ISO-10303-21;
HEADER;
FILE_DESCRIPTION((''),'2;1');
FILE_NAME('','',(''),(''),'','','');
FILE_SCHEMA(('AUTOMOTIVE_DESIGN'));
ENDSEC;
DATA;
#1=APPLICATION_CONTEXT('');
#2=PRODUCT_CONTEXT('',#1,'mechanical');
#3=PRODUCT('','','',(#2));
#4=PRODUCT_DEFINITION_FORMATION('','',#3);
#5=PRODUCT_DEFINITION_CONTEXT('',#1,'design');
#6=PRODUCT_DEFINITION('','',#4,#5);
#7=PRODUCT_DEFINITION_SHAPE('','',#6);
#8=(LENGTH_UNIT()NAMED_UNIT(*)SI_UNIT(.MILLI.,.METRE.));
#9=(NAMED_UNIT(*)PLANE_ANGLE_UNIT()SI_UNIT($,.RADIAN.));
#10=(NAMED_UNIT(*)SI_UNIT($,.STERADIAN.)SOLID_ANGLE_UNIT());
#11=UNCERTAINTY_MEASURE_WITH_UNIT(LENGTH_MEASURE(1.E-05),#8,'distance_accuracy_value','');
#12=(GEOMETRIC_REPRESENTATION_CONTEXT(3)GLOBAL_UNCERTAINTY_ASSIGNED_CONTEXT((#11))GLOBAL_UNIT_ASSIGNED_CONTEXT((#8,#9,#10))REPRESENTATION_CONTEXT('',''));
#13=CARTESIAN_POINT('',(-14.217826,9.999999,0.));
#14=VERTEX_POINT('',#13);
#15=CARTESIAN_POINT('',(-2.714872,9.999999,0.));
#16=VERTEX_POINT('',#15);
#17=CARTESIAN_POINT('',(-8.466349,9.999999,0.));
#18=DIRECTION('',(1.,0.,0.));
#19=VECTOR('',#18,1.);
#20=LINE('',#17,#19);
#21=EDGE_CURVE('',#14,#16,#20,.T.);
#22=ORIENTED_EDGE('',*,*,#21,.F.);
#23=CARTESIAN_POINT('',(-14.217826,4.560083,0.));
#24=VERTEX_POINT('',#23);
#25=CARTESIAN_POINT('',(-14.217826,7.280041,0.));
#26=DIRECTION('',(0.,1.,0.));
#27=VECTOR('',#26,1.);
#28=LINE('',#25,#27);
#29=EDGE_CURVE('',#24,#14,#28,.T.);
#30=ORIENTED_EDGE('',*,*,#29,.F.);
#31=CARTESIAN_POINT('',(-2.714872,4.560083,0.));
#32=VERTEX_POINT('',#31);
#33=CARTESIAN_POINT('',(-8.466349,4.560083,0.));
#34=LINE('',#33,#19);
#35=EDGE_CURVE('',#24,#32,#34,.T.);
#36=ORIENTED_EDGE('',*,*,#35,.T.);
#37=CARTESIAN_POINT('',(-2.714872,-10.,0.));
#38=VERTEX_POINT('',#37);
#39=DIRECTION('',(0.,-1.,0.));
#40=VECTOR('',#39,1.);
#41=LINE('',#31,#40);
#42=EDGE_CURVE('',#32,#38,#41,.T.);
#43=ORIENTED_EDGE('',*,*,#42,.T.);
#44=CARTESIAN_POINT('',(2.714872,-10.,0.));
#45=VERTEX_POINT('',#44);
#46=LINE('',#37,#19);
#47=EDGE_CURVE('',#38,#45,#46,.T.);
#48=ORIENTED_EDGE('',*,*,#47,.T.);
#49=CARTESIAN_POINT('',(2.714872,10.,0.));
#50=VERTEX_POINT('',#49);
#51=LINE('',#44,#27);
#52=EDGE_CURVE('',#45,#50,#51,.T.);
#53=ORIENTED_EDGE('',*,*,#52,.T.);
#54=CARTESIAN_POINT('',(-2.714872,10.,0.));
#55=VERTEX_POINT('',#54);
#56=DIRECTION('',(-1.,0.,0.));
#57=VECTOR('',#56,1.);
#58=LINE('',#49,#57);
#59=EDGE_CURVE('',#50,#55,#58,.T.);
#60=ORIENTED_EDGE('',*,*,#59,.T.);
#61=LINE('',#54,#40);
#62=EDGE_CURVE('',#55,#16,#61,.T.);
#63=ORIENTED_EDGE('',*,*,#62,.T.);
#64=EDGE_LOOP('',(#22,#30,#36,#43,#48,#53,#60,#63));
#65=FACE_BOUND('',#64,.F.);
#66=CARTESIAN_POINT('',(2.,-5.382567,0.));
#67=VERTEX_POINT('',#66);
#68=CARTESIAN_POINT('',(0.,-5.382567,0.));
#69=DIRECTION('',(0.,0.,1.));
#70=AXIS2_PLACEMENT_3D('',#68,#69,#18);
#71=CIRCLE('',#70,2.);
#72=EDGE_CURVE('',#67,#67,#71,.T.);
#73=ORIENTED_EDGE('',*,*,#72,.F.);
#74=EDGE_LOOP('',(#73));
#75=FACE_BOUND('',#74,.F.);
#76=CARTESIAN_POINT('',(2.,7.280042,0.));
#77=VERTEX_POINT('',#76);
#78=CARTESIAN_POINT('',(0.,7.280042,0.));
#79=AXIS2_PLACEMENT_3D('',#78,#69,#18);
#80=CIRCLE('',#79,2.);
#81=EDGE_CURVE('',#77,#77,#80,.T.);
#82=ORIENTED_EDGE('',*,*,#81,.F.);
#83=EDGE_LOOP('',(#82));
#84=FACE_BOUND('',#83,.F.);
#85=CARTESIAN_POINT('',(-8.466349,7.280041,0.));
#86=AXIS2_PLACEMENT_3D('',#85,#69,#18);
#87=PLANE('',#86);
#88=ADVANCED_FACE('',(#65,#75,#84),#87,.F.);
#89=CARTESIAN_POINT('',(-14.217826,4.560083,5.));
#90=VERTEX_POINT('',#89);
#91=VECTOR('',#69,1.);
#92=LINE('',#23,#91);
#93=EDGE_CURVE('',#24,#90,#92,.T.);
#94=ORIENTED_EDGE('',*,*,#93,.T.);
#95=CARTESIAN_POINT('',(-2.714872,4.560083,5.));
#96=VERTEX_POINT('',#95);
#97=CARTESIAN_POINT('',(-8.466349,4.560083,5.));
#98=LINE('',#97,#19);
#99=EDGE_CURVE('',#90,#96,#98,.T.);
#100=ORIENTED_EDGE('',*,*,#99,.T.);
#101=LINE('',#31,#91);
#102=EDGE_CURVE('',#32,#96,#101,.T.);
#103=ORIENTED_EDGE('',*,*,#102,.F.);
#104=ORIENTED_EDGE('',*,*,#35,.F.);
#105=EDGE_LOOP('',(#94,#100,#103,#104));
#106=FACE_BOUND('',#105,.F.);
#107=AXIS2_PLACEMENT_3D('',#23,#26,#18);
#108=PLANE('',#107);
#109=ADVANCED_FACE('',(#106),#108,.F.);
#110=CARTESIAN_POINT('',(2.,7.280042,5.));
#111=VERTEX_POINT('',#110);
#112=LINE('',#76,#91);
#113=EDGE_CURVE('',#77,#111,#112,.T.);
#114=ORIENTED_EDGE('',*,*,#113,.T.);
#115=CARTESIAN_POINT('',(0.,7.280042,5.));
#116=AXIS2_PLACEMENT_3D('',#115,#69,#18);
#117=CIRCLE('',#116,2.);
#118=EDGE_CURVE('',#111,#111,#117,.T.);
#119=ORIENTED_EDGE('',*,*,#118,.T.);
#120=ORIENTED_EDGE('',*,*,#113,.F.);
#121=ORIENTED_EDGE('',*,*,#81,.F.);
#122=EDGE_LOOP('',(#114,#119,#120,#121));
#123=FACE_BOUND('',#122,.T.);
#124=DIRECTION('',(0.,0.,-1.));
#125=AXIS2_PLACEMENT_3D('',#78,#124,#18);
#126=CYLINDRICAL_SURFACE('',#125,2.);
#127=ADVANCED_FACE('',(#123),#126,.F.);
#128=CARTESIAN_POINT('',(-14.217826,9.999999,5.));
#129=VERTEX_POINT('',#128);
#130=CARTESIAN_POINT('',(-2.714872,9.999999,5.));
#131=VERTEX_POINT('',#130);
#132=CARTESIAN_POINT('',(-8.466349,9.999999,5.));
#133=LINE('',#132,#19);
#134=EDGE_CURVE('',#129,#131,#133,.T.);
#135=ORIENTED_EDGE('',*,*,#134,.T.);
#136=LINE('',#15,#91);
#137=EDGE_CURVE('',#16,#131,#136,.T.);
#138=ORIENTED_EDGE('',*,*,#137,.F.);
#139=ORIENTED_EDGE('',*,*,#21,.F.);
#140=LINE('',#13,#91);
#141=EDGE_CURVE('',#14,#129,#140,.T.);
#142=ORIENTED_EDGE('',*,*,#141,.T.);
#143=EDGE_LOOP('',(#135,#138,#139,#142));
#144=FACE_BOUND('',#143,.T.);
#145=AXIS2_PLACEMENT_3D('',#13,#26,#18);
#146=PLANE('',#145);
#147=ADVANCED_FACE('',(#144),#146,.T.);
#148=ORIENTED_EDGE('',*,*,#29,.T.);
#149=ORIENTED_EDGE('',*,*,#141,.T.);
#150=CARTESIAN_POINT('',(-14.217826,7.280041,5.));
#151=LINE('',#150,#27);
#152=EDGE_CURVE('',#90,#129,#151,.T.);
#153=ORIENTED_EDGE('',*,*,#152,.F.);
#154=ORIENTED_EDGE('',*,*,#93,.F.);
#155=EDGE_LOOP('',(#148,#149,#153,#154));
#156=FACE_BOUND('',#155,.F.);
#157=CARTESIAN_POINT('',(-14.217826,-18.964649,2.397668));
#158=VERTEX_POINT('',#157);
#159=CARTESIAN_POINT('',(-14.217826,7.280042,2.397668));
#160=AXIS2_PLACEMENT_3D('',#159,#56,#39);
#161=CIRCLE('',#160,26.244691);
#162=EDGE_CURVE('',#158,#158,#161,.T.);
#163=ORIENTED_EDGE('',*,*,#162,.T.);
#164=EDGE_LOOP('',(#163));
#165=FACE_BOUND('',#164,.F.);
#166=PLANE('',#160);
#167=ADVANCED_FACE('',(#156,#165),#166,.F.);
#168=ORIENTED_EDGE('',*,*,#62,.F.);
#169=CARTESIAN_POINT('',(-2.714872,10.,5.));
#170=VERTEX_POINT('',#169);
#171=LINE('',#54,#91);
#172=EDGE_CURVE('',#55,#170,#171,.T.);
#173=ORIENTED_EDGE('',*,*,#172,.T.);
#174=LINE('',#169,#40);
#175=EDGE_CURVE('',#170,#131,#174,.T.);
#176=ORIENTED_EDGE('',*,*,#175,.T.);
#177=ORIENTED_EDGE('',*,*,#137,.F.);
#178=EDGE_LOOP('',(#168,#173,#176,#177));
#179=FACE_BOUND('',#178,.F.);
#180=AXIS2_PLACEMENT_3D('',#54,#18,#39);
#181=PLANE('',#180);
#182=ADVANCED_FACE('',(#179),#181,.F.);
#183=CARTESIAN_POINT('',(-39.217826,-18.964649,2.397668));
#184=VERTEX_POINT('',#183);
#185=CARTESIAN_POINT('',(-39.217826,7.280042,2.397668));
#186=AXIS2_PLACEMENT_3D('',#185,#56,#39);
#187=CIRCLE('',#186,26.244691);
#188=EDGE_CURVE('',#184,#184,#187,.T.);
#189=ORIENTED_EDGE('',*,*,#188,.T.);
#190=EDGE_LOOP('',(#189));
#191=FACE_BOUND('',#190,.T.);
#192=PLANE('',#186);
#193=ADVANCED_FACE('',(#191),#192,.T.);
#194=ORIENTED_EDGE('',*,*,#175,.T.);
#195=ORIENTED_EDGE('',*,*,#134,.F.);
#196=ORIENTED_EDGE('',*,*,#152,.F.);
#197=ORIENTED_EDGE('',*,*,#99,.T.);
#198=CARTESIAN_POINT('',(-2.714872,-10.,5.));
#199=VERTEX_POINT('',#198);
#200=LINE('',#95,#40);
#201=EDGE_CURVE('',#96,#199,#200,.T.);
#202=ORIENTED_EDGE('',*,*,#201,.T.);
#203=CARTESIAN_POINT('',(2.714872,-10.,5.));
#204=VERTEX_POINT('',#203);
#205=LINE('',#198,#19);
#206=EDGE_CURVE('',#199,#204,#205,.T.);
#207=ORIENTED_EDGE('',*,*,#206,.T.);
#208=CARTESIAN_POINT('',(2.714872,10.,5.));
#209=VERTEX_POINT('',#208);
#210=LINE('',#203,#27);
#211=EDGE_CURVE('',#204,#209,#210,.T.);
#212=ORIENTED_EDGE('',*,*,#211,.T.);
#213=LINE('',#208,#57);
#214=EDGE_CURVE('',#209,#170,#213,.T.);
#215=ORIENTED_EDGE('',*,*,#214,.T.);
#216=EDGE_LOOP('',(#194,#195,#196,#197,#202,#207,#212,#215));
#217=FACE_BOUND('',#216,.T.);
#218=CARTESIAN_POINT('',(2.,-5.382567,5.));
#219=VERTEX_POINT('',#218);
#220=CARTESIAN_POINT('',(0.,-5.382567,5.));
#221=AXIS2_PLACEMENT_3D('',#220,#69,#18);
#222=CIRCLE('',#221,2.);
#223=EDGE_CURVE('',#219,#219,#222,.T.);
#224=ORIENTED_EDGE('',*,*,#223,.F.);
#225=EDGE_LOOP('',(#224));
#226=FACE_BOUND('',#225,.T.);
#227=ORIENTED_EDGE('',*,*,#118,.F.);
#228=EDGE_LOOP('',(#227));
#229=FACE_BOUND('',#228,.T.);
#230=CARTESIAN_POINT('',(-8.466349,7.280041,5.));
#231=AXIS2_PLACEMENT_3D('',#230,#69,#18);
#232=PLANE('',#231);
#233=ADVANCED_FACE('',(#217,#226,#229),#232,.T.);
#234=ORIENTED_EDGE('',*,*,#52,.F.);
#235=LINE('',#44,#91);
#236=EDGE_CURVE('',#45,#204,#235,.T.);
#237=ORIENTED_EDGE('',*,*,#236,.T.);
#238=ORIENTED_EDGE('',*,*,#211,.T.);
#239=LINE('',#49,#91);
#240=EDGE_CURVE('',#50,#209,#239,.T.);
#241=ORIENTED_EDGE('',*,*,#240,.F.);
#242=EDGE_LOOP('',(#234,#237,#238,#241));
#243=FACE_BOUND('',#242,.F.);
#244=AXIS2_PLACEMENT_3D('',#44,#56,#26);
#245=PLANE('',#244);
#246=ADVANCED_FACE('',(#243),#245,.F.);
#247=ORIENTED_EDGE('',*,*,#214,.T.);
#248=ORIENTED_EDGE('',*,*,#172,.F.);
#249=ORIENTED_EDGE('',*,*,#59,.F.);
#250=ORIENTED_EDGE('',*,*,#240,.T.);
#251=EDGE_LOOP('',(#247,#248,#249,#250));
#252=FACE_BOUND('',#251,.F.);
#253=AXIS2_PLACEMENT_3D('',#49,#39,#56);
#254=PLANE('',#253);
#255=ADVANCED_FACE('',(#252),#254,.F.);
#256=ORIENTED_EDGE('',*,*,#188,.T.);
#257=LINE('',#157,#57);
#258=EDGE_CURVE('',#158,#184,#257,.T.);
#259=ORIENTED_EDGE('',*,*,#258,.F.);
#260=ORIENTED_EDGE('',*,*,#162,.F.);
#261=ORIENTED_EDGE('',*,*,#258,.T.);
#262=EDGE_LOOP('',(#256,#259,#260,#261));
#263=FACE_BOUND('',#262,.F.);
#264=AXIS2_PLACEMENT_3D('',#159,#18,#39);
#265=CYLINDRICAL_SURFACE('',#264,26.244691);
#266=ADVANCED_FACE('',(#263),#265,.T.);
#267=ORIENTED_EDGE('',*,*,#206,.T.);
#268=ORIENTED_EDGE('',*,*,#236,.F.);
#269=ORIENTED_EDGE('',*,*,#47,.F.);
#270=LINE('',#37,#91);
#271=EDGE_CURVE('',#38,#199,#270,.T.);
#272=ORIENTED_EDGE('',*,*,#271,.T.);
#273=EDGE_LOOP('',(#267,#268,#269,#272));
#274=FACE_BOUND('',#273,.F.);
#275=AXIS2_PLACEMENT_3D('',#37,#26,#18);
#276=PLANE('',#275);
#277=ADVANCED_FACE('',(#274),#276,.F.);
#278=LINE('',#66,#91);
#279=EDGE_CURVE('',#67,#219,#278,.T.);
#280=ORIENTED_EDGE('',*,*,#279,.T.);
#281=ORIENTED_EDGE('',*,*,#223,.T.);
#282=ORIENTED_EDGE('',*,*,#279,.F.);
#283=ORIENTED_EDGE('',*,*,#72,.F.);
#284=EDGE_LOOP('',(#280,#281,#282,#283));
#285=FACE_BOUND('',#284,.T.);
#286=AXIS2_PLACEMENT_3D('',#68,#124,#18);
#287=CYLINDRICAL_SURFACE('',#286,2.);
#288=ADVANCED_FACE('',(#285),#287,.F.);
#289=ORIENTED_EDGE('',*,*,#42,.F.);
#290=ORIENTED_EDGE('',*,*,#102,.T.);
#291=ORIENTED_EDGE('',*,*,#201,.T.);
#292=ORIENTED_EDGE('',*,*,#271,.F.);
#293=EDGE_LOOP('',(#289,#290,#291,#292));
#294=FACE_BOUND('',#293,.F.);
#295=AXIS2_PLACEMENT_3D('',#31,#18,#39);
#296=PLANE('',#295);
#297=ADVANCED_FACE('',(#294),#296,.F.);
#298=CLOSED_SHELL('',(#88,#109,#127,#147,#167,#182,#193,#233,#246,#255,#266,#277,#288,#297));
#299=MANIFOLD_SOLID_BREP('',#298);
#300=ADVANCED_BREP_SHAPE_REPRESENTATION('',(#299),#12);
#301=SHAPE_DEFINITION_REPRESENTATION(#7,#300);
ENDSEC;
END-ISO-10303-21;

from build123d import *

# Parameters (mm, degrees)
F0_W     = 11.502954
F0_H     = 5.439917
F0_R     = 2
F1_DEPTH = 5
F2_R     = 26.244691
F2_W     = 5.439917
F2_H     = 5
F3_DEPTH = 25


with BuildPart() as f1:
    # F0 (on Top) → F1 (new body)
    with BuildSketch(Plane.XY):
        with Locations((-8.466349, 7.280041)):
            Rectangle(F0_W, F0_H)
        Polygon((2.714872, -10), (2.714872, 10), (-2.714872, 10), (-2.714872, 4.560083), (-2.714872, -10), align=None)
        with Locations((0, -5.382567)):
            Circle(F0_R, mode=Mode.SUBTRACT)
        with Locations((0, 7.280042)):
            Circle(F0_R, mode=Mode.SUBTRACT)
    extrude(amount=F1_DEPTH)

    # F2 (on face) → F3 (join)
    with BuildSketch(Plane(origin=(-14.217826, 0, 0), x_dir=(0, -1, 0), z_dir=(-1, 0, 0))):
        with Locations((-7.280042, 2.397668)):
            Circle(F2_R)
        with Locations((-7.280041, 2.5)):
            Rectangle(F2_W, F2_H, mode=Mode.SUBTRACT)
        with Locations((-7.280041, 2.5)):
            Rectangle(F2_W, F2_H)
    extrude(amount=F3_DEPTH)


solid = f1.part
